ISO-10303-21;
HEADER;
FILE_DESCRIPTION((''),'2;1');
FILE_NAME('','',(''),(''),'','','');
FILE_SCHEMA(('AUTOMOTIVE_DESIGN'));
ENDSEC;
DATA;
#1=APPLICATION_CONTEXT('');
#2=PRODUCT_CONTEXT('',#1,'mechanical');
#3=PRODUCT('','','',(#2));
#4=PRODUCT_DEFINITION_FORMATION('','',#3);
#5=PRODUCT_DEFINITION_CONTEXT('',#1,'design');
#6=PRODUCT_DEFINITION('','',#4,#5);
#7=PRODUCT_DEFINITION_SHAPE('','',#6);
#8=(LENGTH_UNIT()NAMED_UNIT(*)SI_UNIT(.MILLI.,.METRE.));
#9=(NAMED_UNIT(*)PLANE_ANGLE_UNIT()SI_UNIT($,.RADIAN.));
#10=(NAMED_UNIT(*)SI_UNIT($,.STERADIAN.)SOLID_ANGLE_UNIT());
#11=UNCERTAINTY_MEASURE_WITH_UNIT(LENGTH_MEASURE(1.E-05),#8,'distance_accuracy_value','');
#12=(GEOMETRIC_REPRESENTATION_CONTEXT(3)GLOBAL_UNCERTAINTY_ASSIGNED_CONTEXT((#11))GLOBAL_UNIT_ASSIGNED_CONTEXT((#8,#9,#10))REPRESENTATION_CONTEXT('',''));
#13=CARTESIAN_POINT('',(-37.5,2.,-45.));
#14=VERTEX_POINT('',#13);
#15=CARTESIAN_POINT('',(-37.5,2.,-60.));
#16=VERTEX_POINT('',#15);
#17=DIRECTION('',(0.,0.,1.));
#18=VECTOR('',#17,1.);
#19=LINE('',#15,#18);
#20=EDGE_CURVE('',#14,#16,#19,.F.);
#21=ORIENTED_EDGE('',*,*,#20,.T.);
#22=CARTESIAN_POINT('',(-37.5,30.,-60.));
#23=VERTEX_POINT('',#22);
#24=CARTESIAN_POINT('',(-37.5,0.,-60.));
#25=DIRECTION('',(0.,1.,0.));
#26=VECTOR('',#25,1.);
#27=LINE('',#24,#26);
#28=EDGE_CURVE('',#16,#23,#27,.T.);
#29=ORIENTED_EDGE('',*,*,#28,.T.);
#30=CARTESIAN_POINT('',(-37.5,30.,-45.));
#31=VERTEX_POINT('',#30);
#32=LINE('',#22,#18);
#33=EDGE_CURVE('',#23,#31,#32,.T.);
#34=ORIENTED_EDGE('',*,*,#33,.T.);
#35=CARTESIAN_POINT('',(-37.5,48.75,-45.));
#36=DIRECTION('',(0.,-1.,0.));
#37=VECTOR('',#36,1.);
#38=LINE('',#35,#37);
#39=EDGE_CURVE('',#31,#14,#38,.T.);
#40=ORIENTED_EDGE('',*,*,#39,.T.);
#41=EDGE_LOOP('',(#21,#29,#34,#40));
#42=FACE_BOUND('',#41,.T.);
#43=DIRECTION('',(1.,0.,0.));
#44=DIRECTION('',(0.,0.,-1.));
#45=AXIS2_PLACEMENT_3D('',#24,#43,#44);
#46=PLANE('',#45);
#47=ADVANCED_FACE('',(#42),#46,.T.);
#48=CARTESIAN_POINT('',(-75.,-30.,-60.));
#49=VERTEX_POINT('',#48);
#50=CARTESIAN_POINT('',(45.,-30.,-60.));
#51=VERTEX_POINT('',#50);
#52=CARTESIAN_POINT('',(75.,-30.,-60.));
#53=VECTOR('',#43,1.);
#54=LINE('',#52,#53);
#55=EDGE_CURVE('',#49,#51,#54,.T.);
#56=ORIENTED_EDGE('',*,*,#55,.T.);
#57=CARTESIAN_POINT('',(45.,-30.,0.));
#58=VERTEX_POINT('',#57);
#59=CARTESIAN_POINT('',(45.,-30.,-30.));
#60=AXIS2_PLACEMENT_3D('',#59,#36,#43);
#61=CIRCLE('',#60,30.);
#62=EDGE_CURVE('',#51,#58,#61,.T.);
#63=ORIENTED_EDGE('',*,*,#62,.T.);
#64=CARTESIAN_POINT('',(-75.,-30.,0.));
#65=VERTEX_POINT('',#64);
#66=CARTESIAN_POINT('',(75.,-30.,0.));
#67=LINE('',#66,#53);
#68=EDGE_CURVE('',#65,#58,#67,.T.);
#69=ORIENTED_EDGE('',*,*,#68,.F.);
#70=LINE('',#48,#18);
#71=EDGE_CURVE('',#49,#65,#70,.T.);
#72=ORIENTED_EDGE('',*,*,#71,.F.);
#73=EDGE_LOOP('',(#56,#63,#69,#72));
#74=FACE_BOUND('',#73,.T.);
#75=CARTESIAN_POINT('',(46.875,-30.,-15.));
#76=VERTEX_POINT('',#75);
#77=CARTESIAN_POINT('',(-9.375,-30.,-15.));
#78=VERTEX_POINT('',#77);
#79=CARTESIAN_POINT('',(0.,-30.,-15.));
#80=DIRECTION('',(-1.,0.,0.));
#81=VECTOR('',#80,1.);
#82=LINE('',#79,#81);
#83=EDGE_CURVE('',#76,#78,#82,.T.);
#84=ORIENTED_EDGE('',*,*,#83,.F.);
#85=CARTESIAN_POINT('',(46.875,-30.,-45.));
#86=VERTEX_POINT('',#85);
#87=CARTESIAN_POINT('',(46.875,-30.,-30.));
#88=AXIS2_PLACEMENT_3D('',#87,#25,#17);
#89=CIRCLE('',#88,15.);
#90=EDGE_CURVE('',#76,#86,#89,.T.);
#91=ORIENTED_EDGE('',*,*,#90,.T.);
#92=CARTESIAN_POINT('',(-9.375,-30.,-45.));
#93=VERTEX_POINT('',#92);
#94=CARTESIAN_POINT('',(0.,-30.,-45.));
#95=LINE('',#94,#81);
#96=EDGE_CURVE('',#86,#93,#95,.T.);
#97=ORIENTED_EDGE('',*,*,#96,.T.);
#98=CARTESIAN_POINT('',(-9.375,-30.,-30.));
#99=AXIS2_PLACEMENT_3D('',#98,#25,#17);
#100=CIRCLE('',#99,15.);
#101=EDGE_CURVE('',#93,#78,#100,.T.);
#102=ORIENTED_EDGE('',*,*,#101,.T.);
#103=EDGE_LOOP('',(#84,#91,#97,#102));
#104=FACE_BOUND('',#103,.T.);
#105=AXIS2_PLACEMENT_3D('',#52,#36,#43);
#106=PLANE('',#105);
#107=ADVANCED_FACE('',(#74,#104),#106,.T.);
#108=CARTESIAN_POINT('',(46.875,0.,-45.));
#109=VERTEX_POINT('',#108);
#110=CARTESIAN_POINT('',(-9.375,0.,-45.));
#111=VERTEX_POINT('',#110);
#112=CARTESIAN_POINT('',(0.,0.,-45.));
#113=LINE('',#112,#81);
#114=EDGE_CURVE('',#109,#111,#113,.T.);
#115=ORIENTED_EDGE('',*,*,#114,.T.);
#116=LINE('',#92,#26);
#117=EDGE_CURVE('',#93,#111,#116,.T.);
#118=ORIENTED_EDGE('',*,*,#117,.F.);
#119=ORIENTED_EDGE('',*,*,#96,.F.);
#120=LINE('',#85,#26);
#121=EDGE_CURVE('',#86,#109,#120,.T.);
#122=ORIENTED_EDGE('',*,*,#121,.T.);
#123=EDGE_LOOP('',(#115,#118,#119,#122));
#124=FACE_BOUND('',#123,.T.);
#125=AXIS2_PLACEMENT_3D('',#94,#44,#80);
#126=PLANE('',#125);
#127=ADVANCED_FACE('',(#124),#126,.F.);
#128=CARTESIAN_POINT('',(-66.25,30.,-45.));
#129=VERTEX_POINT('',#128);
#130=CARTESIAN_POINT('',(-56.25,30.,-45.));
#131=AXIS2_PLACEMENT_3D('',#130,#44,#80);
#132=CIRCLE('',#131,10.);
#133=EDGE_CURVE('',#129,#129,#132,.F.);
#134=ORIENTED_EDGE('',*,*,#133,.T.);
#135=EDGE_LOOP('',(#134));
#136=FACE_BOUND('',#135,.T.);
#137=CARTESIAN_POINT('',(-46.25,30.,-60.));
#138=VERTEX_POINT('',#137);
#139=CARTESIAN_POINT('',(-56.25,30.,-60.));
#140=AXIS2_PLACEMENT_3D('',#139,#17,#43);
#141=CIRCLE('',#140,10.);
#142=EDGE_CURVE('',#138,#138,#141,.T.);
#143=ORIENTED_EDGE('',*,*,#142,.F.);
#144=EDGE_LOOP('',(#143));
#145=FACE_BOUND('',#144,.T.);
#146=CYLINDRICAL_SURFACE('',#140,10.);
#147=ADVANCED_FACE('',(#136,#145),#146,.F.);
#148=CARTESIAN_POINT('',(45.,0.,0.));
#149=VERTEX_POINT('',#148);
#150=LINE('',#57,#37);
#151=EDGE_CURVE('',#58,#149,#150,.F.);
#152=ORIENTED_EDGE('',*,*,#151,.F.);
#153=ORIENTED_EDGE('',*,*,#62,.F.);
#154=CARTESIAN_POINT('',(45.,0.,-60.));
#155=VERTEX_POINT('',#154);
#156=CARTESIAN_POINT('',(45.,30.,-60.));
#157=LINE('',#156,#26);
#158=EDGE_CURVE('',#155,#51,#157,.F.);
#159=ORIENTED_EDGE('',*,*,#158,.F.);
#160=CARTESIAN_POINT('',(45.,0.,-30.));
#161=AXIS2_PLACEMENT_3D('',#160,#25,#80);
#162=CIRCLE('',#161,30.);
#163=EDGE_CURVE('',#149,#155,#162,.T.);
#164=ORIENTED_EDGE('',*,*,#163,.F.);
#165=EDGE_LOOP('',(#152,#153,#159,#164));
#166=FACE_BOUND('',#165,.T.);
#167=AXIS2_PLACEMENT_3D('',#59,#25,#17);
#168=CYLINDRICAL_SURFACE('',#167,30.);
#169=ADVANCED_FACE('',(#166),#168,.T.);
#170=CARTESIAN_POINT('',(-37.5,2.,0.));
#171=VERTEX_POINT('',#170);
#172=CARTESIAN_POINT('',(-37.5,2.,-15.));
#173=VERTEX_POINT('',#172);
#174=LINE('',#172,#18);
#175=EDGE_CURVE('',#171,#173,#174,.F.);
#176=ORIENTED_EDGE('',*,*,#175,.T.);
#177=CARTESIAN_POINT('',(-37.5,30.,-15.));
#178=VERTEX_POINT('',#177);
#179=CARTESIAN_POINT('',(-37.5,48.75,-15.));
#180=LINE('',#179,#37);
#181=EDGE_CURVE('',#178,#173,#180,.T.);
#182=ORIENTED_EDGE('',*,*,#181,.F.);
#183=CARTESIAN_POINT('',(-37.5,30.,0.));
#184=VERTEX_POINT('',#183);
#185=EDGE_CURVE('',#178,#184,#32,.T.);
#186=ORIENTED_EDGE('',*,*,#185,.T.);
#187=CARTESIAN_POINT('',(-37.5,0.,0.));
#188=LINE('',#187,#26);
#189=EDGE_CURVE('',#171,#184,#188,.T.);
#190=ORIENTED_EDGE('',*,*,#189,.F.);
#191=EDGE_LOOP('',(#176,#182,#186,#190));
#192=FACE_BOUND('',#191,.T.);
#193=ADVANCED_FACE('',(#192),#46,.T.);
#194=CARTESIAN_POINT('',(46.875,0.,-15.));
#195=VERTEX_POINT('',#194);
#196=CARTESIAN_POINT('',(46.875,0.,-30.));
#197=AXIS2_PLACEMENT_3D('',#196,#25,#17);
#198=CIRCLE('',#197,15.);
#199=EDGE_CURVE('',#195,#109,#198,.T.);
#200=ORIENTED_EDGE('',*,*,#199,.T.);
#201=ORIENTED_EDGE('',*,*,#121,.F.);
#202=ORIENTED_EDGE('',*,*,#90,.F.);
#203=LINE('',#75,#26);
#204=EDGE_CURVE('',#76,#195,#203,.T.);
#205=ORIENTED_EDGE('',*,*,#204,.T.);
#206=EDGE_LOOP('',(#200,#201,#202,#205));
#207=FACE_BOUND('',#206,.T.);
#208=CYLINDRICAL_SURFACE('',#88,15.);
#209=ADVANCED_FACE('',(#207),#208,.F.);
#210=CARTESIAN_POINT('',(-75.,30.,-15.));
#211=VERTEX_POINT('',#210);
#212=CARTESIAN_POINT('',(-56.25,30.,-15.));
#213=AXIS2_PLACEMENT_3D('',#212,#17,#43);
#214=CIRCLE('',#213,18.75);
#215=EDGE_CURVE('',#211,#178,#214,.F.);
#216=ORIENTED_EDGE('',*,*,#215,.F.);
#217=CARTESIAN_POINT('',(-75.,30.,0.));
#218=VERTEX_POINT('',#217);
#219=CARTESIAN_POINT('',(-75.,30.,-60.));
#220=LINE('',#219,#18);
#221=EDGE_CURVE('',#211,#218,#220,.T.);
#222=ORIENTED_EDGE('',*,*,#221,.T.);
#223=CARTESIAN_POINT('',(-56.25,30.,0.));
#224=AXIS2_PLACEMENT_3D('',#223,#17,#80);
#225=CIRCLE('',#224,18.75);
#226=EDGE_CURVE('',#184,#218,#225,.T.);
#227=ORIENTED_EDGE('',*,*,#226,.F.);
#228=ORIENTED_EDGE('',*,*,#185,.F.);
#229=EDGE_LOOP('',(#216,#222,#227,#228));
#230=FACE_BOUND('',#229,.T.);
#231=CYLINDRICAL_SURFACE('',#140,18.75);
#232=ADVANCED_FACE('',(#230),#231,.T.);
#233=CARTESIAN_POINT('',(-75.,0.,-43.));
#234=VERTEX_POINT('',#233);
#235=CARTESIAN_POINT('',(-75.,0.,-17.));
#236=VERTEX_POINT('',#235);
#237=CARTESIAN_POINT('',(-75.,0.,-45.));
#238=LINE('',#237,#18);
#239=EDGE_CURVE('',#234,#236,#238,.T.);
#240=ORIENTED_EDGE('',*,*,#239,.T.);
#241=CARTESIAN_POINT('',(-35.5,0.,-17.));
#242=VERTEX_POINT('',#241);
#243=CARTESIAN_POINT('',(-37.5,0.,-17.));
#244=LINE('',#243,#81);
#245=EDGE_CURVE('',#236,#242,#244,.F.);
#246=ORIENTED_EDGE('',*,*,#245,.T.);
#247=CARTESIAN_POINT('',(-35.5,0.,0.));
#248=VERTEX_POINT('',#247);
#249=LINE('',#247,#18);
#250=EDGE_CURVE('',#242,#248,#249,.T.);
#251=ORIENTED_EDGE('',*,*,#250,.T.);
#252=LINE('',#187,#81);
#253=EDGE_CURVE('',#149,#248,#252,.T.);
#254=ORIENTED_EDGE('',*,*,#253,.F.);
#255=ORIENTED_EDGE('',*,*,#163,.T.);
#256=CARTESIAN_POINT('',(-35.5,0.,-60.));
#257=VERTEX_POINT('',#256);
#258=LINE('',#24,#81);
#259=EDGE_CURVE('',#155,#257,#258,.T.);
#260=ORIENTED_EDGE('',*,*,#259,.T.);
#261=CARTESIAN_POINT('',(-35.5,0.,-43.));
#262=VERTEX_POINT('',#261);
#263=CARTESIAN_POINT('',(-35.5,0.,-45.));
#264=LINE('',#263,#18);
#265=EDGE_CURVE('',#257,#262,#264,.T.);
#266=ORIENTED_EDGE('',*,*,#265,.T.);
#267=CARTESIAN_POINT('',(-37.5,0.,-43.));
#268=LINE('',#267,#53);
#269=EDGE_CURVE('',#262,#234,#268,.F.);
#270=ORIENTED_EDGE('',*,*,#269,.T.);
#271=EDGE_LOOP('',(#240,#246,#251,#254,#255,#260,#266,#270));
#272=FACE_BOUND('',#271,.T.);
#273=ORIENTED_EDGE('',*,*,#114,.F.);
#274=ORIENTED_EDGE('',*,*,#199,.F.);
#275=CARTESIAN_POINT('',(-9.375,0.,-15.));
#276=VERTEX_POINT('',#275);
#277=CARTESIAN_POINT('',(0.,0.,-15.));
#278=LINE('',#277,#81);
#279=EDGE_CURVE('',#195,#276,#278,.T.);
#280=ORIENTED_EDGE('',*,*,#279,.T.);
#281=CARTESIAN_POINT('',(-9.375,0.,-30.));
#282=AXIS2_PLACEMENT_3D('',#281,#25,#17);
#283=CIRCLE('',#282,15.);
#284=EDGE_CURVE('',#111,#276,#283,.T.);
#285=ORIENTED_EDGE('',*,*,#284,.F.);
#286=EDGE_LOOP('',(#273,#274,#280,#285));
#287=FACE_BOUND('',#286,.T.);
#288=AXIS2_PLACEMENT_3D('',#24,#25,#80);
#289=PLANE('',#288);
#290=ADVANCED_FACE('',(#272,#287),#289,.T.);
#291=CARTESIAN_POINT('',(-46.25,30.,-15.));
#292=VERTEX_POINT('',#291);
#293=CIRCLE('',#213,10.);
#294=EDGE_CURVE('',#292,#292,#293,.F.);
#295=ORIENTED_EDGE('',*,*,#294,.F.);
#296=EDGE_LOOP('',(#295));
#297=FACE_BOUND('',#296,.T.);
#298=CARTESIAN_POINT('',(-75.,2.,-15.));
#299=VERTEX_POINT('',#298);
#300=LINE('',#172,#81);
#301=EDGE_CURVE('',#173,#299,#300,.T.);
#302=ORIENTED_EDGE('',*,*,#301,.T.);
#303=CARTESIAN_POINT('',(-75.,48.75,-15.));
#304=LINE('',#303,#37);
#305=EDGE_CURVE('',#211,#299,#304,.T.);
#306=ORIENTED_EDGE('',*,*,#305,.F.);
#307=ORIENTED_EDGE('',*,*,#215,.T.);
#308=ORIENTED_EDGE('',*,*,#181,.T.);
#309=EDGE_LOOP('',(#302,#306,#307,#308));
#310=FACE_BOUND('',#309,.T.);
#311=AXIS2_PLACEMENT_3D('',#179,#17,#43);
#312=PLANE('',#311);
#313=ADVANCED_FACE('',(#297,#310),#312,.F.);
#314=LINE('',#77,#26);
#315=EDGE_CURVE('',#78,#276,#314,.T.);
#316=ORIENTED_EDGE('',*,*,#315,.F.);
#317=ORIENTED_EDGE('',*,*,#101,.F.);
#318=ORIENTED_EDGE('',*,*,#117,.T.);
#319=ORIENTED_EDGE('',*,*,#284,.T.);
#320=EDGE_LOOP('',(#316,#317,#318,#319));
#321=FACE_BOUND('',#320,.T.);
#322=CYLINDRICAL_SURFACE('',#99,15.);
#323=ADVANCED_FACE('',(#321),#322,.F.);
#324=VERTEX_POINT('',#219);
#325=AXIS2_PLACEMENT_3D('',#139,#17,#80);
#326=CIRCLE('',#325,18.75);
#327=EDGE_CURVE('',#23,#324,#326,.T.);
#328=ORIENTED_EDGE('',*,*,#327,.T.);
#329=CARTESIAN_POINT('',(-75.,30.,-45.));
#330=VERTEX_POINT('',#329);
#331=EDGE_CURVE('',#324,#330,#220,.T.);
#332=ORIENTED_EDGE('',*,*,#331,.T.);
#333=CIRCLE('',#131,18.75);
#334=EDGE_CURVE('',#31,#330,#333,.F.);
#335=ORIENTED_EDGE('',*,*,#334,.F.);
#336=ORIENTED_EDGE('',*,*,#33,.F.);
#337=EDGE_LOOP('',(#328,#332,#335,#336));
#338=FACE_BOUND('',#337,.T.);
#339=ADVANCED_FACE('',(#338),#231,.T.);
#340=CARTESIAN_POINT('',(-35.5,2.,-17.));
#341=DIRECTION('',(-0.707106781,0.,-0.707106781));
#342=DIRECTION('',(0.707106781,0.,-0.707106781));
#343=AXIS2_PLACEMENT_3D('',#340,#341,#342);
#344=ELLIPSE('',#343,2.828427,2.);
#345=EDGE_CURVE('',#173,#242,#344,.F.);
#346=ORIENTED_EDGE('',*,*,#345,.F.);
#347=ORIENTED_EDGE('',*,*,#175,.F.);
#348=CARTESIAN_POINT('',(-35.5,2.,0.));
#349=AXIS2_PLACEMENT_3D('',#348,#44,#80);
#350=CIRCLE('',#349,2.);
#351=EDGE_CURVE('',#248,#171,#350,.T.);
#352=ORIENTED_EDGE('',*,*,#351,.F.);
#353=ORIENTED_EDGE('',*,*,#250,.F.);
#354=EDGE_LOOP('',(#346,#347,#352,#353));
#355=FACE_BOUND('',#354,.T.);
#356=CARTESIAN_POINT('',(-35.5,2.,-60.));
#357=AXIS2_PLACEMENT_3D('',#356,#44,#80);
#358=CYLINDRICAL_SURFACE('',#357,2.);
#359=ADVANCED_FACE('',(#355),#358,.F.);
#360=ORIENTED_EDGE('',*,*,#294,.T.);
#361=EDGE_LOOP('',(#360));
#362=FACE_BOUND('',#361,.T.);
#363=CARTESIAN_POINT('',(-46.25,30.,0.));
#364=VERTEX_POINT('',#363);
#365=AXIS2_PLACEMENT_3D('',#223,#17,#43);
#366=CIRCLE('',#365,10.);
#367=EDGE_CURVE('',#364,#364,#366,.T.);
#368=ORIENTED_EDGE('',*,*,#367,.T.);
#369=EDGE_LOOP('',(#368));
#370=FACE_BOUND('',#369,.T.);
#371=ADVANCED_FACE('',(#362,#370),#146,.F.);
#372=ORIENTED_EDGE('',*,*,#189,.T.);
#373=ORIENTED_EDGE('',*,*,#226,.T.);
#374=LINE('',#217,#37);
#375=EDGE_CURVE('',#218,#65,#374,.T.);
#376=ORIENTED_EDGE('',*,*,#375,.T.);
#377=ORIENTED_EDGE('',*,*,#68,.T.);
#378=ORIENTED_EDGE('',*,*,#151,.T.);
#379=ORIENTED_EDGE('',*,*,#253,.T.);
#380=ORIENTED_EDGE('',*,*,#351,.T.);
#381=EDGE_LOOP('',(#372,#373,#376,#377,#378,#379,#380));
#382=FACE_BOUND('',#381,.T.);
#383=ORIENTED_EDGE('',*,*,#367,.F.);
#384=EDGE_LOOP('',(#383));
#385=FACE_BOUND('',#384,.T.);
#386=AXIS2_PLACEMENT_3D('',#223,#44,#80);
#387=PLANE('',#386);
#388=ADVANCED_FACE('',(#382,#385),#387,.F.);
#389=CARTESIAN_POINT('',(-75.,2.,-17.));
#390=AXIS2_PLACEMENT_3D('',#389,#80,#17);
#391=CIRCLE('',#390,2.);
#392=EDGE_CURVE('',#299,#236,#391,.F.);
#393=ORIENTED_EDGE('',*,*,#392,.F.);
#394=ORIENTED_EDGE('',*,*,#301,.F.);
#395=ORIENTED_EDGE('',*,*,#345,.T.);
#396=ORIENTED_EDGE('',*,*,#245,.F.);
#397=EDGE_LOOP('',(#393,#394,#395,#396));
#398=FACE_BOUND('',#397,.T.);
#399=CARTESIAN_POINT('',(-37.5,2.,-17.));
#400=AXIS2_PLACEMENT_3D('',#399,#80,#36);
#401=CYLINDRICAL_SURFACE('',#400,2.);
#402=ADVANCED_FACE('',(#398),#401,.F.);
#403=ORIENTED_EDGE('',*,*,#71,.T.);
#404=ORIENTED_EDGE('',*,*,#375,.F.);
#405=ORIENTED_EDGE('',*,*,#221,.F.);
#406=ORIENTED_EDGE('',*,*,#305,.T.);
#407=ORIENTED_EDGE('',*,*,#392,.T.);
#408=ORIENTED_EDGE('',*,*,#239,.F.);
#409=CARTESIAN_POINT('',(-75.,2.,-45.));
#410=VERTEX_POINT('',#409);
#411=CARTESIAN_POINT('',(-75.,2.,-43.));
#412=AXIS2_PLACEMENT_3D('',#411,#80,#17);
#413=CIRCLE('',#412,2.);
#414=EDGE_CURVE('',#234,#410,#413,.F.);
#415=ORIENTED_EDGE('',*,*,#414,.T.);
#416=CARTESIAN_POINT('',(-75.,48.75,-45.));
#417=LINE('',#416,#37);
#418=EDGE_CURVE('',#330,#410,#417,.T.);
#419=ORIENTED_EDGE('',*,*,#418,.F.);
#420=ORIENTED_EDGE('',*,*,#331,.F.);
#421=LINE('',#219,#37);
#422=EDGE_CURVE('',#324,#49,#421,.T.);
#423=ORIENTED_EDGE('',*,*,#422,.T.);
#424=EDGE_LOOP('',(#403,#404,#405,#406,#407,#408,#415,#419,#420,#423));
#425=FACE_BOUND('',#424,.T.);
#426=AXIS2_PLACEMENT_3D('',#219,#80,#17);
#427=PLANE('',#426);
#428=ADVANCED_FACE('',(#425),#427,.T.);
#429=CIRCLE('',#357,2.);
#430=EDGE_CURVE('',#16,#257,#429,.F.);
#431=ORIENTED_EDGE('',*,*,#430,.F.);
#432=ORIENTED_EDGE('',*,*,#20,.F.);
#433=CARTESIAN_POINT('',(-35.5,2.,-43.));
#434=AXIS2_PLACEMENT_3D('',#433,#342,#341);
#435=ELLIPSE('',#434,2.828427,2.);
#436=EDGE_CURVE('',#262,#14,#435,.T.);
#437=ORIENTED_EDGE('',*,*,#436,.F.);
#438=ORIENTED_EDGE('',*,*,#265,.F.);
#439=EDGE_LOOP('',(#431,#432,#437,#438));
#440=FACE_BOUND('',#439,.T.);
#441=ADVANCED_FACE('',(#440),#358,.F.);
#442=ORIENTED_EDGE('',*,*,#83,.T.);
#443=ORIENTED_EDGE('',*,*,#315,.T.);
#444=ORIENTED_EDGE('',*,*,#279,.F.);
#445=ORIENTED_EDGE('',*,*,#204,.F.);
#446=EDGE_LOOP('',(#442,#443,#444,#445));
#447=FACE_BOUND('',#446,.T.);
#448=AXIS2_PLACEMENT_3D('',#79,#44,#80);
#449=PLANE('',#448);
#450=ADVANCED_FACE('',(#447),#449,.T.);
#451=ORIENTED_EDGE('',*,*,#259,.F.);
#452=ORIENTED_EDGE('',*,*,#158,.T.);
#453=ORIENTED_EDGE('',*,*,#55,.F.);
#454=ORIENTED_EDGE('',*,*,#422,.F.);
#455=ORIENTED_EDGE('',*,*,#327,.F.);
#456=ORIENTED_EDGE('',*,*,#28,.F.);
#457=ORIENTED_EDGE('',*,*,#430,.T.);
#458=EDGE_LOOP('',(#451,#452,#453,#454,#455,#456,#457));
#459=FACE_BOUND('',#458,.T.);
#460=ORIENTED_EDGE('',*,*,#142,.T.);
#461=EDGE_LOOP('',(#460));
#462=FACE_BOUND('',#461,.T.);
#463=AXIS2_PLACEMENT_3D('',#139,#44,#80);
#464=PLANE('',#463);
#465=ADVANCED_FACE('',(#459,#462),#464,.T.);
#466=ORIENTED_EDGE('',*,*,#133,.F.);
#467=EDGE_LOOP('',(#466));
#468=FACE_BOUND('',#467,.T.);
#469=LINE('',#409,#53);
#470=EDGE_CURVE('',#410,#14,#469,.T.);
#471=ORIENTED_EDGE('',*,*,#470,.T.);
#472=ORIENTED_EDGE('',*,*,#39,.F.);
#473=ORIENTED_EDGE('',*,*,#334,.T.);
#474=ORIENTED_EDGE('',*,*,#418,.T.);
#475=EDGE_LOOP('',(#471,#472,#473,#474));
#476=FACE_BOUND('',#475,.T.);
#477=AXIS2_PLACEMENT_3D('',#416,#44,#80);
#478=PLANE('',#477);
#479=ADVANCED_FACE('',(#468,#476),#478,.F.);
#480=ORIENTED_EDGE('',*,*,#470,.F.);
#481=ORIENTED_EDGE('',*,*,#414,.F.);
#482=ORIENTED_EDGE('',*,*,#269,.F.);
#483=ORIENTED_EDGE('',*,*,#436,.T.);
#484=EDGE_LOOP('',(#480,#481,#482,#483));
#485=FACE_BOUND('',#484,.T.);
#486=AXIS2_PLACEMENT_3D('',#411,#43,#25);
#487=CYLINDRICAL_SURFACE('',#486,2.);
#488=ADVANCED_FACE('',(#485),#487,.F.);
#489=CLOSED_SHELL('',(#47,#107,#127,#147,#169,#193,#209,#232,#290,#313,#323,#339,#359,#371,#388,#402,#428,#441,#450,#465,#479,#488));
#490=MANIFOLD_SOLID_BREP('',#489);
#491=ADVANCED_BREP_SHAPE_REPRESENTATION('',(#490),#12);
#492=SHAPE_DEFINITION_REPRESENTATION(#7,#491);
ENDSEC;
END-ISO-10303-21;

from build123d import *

# Parameters (mm, degrees)
SKETCH1_R           = 10
BOSS_EXTRUDE1_DEPTH = 60
SKETCH3_W           = 37.5
SKETCH3_H           = 30
CUT_EXTRUDE1_DEPTH  = 108.710549623
CUT_EXTRUDE2_DEPTH  = 108.710549623
FILLET1_RADIUS      = 30
FILLET1_LENGTH      = 30
FILLET2_R           = 2


with BuildPart() as part:
    # Sketch1 → Boss-Extrude1 (new body)
    with BuildSketch(Plane.XY):
        with BuildLine():
            Line((75, 0), (75, -30))
            Line((75, -30), (-75, -30))
            Line((-75, -30), (-75, 30))
            ThreePointArc((-75, 30), (-56.25, 48.75), (-37.5, 30))
            Line((-37.5, 30), (-37.5, 0))
            Line((-37.5, 0), (75, 0))
        make_face()
        with Locations((-56.25, 30)):
            Circle(SKETCH1_R, mode=Mode.SUBTRACT)
    extrude(amount=-BOSS_EXTRUDE1_DEPTH)

    # Sketch3 → Cut-Extrude1 (cut, through all)
    with BuildSketch(Plane(origin=(0, 0, 0), x_dir=(1, 0, 0), z_dir=(0, 1, 0))):
        with Locations((-56.25, 30)):
            Rectangle(SKETCH3_W, SKETCH3_H)
    extrude(amount=CUT_EXTRUDE1_DEPTH, mode=Mode.SUBTRACT)

    # Sketch3<5> → Cut-Extrude2 (cut, through all)
    with BuildSketch(Plane(origin=(0, 0, 0), x_dir=(1, 0, 0), z_dir=(0, 1, 0))):
        with BuildLine():
            Line((46.875, 45), (-9.375, 45))
            ThreePointArc((-9.375, 45), (-24.375, 30), (-9.375, 15))
            Line((-9.375, 15), (46.875, 15))
            ThreePointArc((46.875, 15), (61.875, 30), (46.875, 45))
        make_face()
    extrude(amount=-CUT_EXTRUDE2_DEPTH, mode=Mode.SUBTRACT)

    # Fillet1: full round fillet: the end face becomes a half cylinder, R = half its width
    fillet1_face = Plane((75, -15, -30), x_dir=(0, 1, 0), z_dir=(1, 0, 0))  # on the end face: x along it, z out of the body
    fillet1_slab = fillet1_face.offset(-FILLET1_RADIUS / 2) * Box(FILLET1_LENGTH, 2 * FILLET1_RADIUS, FILLET1_RADIUS, mode=Mode.PRIVATE)  # the body's end, R deep
    fillet1_round = Plane((45, -15, -30), x_dir=(1, 0, 0), z_dir=(0, 1, 0)) * Cylinder(FILLET1_RADIUS, FILLET1_LENGTH, mode=Mode.PRIVATE)  # its axis R under the face
    add(fillet1_slab - fillet1_round, mode=Mode.SUBTRACT)

    # Fillet2
    fillet2_edges = [part.edges().sort_by_distance(p)[0] for p in [
        (-37.5, 0, -52.5),
        (-37.5, 0, -7.5),
        (-56.25, 0, -45),
        (-56.25, 0, -15),
    ]]
    fillet(fillet2_edges, radius=FILLET2_R)


solid = part.part
